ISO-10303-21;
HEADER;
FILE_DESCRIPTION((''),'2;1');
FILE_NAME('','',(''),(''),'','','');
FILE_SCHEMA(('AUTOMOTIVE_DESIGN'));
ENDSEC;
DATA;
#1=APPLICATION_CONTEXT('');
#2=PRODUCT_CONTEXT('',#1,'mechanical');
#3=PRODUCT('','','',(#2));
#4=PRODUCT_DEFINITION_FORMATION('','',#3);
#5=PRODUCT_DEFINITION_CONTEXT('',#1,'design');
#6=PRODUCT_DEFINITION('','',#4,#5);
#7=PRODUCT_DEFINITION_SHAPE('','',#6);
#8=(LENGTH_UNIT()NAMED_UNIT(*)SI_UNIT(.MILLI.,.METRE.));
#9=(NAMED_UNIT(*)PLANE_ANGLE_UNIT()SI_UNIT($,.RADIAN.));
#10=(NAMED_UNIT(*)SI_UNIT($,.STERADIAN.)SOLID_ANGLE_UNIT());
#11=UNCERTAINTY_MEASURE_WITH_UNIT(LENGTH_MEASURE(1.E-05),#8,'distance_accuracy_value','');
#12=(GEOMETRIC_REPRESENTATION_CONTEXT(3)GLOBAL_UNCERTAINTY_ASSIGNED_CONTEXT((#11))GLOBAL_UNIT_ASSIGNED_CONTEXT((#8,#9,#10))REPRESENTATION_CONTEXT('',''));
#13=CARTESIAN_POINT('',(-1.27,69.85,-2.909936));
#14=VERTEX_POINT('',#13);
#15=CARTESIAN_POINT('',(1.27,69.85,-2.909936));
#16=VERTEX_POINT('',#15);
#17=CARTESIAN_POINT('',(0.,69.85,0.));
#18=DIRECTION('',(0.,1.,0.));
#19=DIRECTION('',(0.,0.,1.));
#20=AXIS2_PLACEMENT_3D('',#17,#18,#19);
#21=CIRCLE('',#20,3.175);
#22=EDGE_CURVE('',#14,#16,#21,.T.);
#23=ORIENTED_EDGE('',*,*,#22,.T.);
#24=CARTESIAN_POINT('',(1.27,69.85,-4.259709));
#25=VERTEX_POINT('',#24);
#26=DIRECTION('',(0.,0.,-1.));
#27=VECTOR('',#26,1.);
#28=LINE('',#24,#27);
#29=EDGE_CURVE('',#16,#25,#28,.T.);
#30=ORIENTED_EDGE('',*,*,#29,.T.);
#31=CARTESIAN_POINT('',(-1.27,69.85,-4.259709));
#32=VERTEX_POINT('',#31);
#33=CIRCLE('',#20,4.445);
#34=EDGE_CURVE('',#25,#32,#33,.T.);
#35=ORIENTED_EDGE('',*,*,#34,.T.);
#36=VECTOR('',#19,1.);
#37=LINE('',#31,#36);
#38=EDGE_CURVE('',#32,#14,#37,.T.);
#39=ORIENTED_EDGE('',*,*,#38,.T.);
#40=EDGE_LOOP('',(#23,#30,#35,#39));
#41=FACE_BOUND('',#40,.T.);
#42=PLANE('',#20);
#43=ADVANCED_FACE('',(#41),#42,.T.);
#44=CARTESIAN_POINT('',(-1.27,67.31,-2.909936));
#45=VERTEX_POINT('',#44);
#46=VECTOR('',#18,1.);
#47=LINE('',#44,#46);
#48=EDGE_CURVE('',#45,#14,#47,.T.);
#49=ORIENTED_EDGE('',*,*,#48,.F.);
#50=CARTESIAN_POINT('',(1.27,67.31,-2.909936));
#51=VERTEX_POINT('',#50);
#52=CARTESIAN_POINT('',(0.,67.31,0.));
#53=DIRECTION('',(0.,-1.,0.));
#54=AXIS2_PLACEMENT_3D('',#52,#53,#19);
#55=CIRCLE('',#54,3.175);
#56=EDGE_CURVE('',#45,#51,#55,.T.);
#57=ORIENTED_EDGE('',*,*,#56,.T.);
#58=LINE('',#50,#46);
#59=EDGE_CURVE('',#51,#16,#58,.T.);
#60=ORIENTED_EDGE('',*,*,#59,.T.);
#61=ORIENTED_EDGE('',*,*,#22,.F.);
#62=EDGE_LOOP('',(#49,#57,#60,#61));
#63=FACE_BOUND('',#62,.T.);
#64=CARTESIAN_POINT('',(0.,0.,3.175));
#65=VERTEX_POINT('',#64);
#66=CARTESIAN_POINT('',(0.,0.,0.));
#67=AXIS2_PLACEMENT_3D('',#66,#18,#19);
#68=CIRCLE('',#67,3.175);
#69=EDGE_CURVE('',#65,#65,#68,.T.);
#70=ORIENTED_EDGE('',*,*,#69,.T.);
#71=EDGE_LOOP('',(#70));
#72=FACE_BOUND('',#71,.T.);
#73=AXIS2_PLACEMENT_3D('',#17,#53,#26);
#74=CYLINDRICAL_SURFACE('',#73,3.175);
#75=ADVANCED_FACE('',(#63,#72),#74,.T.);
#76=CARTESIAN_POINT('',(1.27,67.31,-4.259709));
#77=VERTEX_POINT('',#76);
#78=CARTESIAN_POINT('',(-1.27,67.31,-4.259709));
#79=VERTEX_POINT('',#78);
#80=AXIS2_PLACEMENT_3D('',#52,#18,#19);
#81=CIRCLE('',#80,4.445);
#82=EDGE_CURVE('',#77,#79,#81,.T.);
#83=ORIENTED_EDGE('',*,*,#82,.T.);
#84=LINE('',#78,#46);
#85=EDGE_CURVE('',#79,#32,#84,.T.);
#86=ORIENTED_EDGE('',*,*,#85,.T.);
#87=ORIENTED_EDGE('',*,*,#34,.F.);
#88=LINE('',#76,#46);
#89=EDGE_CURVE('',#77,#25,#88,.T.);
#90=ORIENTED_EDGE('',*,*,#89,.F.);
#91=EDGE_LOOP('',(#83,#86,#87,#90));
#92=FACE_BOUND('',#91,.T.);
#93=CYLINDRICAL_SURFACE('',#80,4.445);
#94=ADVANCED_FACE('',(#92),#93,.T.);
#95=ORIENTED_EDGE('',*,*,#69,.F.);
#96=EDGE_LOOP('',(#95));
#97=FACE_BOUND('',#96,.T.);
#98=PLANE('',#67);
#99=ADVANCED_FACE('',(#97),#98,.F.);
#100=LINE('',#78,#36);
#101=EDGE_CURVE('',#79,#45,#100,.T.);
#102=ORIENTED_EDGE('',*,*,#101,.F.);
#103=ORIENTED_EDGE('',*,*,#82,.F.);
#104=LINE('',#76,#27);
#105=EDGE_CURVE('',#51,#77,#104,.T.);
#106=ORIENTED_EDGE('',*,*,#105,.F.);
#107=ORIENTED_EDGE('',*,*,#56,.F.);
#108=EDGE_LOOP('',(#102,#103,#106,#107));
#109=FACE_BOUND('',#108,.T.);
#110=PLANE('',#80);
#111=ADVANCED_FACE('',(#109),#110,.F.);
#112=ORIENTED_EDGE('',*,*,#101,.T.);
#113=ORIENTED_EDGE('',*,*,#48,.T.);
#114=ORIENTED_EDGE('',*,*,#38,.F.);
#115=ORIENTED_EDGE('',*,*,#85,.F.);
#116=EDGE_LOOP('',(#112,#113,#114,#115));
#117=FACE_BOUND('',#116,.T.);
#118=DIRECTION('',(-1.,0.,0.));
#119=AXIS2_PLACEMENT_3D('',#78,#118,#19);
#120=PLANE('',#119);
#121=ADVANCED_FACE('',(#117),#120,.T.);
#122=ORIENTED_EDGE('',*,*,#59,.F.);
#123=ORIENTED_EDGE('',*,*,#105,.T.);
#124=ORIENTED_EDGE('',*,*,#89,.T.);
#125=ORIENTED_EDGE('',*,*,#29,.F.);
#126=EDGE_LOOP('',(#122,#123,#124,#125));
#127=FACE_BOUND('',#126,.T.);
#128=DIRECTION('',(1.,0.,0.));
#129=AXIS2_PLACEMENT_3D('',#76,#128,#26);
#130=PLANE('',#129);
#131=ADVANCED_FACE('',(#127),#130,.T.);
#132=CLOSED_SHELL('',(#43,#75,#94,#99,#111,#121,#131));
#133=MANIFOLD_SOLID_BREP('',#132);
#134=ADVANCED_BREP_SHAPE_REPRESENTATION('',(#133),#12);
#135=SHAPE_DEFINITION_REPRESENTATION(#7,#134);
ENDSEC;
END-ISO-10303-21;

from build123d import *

# Parameters (mm, degrees)
SKETCH1_R           = 3.175
BOSS_EXTRUDE1_DEPTH = 69.85
BOSS_EXTRUDE2_START = -2.54
BOSS_EXTRUDE2_DEPTH = 2.54


with BuildPart() as part:
    # Sketch1 → Boss-Extrude1 (new body)
    with BuildSketch(Plane(origin=(0, 0, 0), x_dir=(1, 0, 0), z_dir=(0, 1, 0))):
        with Locations(Location((0, 0, 0), (0, 0, 270))):
            Circle(SKETCH1_R)
    extrude(amount=BOSS_EXTRUDE1_DEPTH)

    # Sketch2 → Boss-Extrude2 (add)
    with BuildSketch(Plane(origin=(0, 69.85, 0), x_dir=(1, 0, 0), z_dir=(0, 1, 0)).offset(BOSS_EXTRUDE2_START)):
        with BuildLine():
            Line((1.27, 4.259709497), (1.27, 2.909935566))
            ThreePointArc((1.27, 2.909935566), (0, 3.175), (-1.27, 2.909935566))
            Line((-1.27, 2.909935566), (-1.27, 4.259709497))
            ThreePointArc((-1.27, 4.259709497), (0, 4.445), (1.27, 4.259709497))
        make_face()
    extrude(amount=BOSS_EXTRUDE2_DEPTH)


solid = part.part
